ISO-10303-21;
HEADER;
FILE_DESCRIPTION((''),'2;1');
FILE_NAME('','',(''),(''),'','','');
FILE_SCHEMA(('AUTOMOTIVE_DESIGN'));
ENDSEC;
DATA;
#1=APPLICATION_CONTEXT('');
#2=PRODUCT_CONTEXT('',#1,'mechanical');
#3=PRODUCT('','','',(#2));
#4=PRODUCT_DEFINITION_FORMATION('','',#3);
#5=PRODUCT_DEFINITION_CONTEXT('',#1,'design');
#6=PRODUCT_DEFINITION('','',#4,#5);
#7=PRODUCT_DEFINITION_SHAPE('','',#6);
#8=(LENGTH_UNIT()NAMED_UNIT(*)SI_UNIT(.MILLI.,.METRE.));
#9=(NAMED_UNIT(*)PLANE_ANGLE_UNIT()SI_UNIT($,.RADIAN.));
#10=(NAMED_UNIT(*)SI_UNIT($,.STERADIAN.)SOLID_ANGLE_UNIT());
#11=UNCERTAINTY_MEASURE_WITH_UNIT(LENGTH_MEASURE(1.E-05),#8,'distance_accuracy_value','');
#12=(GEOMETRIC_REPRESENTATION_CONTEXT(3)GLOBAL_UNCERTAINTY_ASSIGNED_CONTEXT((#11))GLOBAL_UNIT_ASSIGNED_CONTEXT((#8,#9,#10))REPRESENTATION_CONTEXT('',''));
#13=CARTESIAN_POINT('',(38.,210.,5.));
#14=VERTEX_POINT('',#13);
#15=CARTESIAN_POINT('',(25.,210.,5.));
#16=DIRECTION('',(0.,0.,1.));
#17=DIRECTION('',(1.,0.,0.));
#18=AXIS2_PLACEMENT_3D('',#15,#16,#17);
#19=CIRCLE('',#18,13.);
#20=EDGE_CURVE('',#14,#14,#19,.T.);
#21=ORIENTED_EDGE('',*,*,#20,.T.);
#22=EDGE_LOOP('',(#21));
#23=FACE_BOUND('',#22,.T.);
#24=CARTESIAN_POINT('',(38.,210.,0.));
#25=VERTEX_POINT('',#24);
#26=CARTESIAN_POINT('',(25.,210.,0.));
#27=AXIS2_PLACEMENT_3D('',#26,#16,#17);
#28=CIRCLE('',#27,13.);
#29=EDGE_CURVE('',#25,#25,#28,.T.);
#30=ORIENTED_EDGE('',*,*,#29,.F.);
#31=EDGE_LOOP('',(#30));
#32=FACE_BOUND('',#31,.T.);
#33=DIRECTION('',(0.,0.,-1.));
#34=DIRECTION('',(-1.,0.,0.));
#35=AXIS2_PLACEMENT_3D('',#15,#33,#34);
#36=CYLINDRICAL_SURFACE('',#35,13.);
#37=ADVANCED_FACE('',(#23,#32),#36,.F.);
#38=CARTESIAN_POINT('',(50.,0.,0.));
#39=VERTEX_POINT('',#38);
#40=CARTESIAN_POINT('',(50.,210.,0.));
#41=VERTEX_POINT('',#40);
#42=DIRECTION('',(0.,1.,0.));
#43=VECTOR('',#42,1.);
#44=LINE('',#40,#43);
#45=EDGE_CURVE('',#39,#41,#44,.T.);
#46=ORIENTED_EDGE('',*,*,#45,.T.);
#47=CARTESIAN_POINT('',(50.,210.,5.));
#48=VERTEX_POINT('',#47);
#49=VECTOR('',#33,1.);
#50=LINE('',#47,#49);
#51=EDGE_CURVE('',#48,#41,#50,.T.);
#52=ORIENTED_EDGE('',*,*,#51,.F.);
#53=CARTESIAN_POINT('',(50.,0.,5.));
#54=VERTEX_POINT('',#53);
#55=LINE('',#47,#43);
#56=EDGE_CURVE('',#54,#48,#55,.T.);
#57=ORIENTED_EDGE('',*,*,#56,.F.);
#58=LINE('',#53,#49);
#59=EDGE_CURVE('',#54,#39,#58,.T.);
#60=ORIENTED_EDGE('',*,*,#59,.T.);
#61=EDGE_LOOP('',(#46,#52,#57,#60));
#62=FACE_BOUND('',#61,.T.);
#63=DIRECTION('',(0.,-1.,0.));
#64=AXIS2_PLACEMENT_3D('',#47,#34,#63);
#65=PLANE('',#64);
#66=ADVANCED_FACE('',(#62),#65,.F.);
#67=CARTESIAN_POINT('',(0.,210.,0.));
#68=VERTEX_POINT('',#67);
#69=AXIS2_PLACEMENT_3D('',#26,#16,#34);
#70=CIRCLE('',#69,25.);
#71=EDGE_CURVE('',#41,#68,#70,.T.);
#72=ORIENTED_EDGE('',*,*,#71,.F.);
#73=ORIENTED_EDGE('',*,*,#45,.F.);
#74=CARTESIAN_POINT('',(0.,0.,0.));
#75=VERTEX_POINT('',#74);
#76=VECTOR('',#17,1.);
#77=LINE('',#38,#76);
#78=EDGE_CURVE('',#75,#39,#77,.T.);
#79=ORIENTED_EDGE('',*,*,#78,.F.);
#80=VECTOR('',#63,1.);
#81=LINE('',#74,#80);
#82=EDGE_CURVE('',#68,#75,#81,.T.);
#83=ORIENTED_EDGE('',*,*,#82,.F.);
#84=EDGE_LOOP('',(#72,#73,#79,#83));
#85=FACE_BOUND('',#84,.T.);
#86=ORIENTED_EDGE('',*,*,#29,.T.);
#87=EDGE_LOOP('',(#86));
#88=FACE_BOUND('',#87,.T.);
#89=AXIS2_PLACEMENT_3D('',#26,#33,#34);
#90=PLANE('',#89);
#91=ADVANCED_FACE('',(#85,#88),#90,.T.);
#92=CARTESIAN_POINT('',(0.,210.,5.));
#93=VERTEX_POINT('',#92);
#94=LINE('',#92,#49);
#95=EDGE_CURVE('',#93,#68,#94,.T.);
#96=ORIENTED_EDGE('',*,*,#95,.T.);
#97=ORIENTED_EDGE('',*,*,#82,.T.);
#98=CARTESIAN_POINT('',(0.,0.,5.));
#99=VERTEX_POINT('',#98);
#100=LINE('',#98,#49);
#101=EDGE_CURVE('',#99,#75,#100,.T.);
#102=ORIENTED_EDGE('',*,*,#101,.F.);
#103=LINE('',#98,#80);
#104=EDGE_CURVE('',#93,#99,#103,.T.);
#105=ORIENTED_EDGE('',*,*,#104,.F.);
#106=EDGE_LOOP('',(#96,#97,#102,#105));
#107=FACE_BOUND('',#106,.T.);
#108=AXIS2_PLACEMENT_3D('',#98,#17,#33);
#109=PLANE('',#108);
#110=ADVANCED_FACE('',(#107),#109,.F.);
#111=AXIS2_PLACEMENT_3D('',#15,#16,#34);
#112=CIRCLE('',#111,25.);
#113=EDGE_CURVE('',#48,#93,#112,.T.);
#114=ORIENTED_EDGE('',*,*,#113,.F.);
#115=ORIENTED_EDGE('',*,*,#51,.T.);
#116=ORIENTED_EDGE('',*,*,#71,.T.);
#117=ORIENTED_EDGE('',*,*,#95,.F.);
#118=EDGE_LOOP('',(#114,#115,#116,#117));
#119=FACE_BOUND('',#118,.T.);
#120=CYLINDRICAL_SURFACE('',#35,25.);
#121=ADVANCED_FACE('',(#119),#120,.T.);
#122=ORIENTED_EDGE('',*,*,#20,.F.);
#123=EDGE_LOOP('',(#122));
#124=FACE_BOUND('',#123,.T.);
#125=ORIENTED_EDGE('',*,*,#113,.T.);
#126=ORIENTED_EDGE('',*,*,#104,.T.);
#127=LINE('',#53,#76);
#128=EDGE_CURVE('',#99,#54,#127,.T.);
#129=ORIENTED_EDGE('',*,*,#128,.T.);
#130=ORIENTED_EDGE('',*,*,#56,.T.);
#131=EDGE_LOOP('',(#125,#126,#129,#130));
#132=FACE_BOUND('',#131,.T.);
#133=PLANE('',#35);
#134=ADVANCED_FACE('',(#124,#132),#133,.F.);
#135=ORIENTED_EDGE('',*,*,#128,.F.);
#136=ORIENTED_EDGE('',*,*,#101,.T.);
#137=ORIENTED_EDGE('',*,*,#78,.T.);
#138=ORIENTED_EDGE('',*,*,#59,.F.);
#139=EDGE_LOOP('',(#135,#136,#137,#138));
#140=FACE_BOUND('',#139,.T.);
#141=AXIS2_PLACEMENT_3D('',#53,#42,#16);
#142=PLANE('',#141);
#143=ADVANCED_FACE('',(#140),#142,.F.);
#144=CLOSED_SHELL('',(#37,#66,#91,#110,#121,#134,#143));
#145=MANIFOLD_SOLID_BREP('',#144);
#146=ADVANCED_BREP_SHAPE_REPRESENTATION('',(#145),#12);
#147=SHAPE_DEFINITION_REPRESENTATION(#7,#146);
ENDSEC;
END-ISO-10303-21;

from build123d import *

# Parameters (mm, degrees)
SKETCH1_R           = 13
BOSS_EXTRUDE1_DEPTH = 5


with BuildPart() as part:
    # Sketch1 → Boss-Extrude1 (new body)
    with BuildSketch(Plane.XY):
        with BuildLine():
            Line((0, 0), (0, 210))
            ThreePointArc((0, 210), (25, 235), (50, 210))
            Line((50, 210), (50, 0))
            Line((50, 0), (0, 0))
        make_face()
        with Locations((25, 210)):
            Circle(SKETCH1_R, mode=Mode.SUBTRACT)
    extrude(amount=BOSS_EXTRUDE1_DEPTH)


solid = part.part
